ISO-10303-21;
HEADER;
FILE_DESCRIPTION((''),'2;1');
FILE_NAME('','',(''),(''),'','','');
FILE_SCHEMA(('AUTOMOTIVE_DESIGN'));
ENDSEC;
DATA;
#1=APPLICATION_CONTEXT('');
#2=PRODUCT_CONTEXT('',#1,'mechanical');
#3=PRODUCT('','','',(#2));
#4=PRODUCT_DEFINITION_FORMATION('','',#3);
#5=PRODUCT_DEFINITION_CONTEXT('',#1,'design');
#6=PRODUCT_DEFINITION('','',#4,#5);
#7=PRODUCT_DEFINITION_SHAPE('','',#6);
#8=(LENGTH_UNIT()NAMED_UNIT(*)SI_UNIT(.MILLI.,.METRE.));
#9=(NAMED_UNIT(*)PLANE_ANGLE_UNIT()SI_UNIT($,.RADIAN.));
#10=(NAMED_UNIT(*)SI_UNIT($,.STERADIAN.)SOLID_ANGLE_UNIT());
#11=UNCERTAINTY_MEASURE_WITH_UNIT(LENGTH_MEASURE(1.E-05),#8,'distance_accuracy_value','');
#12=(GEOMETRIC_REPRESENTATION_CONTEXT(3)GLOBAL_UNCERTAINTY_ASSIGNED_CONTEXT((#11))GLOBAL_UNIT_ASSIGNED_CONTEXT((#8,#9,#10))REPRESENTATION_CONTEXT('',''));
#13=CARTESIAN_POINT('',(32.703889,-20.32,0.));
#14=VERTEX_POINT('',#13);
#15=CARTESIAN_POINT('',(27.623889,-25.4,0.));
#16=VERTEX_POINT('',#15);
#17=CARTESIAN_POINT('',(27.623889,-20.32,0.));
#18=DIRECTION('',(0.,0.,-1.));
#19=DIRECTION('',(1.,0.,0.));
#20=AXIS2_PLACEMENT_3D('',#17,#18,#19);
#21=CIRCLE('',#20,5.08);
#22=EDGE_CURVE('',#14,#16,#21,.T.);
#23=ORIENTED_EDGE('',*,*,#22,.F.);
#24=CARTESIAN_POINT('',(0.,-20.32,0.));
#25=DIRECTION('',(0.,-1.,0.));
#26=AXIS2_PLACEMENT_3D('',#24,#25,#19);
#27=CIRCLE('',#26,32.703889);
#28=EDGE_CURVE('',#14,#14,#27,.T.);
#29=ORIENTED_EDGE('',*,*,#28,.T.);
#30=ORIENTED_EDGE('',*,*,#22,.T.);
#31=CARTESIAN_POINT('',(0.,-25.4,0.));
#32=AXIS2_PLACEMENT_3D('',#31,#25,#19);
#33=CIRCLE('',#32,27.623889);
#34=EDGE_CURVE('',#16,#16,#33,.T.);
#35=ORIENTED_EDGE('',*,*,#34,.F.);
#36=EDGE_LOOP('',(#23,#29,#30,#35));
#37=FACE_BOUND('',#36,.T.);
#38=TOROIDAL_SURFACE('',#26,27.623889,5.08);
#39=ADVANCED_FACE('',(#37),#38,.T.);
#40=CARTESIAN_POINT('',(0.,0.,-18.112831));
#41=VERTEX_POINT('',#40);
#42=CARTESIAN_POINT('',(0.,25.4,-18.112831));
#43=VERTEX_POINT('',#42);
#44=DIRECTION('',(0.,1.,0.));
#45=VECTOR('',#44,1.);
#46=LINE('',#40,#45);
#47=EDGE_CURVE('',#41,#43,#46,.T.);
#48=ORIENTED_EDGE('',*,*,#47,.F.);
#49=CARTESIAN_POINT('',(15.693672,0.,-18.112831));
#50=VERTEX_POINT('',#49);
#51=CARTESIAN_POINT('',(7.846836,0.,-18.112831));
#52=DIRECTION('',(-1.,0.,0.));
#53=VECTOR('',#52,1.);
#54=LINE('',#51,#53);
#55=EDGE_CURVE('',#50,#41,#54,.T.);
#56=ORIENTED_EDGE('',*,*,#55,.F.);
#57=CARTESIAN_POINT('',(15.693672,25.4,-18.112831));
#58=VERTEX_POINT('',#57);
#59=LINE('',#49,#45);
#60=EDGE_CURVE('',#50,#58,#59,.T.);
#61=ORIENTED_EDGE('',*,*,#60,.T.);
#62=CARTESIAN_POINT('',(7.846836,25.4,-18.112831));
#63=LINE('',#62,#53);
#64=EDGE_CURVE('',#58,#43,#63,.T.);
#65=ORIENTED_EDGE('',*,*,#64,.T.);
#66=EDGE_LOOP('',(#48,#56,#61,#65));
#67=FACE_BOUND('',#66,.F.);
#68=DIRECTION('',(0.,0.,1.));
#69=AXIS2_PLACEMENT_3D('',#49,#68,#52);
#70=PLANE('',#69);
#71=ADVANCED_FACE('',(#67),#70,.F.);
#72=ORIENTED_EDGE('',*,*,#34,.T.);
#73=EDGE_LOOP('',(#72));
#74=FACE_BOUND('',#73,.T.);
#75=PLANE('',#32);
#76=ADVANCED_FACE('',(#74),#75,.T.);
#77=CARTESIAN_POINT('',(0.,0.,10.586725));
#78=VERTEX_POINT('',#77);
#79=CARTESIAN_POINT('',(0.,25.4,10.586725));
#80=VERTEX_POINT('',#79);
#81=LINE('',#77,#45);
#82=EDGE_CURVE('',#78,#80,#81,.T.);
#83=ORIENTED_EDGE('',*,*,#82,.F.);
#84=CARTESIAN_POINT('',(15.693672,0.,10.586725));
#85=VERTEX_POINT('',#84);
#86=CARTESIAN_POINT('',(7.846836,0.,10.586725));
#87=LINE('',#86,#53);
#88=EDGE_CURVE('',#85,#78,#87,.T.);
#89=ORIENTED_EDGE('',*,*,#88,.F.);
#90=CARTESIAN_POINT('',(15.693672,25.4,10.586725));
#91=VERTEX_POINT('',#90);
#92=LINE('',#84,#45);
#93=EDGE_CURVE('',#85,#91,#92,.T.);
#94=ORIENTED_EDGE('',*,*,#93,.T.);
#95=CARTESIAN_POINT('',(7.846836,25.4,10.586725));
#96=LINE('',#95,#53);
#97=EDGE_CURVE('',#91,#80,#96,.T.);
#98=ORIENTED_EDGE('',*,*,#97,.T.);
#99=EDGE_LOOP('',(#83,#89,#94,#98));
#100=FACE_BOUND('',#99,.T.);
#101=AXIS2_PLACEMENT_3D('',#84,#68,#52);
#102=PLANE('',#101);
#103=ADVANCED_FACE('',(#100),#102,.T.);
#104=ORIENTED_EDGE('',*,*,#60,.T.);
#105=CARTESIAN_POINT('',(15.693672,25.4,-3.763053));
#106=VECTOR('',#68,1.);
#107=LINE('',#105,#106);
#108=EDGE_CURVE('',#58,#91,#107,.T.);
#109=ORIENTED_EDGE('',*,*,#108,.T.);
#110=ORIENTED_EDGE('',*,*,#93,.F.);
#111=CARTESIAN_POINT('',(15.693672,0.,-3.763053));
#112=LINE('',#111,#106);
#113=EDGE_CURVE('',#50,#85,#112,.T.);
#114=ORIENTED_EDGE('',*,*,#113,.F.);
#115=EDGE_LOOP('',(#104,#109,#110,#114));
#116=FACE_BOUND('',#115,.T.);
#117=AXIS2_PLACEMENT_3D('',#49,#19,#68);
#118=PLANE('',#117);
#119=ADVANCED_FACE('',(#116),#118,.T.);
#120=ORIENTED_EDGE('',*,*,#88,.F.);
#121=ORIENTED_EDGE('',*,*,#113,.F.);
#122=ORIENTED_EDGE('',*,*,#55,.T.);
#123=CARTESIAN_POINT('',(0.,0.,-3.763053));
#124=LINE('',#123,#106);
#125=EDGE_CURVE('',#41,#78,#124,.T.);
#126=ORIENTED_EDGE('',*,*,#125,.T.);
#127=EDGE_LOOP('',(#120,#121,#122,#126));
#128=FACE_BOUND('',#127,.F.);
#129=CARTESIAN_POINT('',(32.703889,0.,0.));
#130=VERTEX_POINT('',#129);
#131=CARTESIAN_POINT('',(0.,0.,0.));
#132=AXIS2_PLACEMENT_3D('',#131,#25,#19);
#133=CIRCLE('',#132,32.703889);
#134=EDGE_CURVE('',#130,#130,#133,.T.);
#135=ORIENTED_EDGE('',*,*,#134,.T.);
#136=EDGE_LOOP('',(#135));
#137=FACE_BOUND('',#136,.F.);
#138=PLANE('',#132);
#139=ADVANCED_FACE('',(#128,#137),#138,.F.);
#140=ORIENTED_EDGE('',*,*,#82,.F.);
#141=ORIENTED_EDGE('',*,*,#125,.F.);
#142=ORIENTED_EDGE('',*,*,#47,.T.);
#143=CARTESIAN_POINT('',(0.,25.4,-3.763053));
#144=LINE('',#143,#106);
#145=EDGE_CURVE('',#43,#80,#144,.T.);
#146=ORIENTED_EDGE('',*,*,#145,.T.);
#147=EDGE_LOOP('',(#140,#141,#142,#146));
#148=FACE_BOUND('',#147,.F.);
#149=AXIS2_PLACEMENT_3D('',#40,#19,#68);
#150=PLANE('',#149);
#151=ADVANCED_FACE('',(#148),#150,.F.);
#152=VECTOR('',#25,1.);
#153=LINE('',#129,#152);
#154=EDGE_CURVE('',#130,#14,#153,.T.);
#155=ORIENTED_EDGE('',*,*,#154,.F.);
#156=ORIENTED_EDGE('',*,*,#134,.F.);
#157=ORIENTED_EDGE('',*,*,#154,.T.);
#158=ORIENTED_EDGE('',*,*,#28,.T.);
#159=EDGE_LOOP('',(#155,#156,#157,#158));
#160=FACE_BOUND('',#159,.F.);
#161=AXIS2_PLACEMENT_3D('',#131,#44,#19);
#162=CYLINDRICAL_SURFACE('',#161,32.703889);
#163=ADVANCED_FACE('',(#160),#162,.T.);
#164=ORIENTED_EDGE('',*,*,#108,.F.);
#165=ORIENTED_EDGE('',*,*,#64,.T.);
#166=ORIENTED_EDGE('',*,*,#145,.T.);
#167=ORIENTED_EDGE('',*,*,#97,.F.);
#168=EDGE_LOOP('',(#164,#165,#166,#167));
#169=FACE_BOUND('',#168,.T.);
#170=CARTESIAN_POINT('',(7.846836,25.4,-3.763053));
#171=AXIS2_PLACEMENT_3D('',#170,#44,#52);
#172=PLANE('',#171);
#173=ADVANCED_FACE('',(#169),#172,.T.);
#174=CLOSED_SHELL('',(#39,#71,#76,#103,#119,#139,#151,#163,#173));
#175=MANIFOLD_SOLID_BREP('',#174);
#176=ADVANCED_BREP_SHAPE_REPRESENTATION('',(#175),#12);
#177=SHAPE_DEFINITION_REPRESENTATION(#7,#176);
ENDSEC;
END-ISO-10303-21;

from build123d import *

# Parameters (mm, degrees)
F0_R     = 32.703889
F1_DEPTH = 25.4
F2_R     = 5.08
F3_W     = 15.693672
F3_H     = 28.699555
F4_DEPTH = 25.4


with BuildPart() as f1:
    # F0 (on Front) → F1 (new body)
    with BuildSketch(Plane.XZ):
        Circle(F0_R)
    extrude(amount=F1_DEPTH)

    # F2
    f2_edges = [f1.edges().sort_by_distance(p)[0] for p in [
        (-32.703889, -25.4, 0),
    ]]
    fillet(f2_edges, radius=F2_R)

    # F3 (on face) → F4 (join)
    with BuildSketch(Plane(origin=(0, 0, 0), x_dir=(-1, 0, 0), z_dir=(0, 1, 0))):
        with Locations((-7.846836, -3.763053)):
            Rectangle(F3_W, F3_H)
    extrude(amount=F4_DEPTH)


solid = f1.part
